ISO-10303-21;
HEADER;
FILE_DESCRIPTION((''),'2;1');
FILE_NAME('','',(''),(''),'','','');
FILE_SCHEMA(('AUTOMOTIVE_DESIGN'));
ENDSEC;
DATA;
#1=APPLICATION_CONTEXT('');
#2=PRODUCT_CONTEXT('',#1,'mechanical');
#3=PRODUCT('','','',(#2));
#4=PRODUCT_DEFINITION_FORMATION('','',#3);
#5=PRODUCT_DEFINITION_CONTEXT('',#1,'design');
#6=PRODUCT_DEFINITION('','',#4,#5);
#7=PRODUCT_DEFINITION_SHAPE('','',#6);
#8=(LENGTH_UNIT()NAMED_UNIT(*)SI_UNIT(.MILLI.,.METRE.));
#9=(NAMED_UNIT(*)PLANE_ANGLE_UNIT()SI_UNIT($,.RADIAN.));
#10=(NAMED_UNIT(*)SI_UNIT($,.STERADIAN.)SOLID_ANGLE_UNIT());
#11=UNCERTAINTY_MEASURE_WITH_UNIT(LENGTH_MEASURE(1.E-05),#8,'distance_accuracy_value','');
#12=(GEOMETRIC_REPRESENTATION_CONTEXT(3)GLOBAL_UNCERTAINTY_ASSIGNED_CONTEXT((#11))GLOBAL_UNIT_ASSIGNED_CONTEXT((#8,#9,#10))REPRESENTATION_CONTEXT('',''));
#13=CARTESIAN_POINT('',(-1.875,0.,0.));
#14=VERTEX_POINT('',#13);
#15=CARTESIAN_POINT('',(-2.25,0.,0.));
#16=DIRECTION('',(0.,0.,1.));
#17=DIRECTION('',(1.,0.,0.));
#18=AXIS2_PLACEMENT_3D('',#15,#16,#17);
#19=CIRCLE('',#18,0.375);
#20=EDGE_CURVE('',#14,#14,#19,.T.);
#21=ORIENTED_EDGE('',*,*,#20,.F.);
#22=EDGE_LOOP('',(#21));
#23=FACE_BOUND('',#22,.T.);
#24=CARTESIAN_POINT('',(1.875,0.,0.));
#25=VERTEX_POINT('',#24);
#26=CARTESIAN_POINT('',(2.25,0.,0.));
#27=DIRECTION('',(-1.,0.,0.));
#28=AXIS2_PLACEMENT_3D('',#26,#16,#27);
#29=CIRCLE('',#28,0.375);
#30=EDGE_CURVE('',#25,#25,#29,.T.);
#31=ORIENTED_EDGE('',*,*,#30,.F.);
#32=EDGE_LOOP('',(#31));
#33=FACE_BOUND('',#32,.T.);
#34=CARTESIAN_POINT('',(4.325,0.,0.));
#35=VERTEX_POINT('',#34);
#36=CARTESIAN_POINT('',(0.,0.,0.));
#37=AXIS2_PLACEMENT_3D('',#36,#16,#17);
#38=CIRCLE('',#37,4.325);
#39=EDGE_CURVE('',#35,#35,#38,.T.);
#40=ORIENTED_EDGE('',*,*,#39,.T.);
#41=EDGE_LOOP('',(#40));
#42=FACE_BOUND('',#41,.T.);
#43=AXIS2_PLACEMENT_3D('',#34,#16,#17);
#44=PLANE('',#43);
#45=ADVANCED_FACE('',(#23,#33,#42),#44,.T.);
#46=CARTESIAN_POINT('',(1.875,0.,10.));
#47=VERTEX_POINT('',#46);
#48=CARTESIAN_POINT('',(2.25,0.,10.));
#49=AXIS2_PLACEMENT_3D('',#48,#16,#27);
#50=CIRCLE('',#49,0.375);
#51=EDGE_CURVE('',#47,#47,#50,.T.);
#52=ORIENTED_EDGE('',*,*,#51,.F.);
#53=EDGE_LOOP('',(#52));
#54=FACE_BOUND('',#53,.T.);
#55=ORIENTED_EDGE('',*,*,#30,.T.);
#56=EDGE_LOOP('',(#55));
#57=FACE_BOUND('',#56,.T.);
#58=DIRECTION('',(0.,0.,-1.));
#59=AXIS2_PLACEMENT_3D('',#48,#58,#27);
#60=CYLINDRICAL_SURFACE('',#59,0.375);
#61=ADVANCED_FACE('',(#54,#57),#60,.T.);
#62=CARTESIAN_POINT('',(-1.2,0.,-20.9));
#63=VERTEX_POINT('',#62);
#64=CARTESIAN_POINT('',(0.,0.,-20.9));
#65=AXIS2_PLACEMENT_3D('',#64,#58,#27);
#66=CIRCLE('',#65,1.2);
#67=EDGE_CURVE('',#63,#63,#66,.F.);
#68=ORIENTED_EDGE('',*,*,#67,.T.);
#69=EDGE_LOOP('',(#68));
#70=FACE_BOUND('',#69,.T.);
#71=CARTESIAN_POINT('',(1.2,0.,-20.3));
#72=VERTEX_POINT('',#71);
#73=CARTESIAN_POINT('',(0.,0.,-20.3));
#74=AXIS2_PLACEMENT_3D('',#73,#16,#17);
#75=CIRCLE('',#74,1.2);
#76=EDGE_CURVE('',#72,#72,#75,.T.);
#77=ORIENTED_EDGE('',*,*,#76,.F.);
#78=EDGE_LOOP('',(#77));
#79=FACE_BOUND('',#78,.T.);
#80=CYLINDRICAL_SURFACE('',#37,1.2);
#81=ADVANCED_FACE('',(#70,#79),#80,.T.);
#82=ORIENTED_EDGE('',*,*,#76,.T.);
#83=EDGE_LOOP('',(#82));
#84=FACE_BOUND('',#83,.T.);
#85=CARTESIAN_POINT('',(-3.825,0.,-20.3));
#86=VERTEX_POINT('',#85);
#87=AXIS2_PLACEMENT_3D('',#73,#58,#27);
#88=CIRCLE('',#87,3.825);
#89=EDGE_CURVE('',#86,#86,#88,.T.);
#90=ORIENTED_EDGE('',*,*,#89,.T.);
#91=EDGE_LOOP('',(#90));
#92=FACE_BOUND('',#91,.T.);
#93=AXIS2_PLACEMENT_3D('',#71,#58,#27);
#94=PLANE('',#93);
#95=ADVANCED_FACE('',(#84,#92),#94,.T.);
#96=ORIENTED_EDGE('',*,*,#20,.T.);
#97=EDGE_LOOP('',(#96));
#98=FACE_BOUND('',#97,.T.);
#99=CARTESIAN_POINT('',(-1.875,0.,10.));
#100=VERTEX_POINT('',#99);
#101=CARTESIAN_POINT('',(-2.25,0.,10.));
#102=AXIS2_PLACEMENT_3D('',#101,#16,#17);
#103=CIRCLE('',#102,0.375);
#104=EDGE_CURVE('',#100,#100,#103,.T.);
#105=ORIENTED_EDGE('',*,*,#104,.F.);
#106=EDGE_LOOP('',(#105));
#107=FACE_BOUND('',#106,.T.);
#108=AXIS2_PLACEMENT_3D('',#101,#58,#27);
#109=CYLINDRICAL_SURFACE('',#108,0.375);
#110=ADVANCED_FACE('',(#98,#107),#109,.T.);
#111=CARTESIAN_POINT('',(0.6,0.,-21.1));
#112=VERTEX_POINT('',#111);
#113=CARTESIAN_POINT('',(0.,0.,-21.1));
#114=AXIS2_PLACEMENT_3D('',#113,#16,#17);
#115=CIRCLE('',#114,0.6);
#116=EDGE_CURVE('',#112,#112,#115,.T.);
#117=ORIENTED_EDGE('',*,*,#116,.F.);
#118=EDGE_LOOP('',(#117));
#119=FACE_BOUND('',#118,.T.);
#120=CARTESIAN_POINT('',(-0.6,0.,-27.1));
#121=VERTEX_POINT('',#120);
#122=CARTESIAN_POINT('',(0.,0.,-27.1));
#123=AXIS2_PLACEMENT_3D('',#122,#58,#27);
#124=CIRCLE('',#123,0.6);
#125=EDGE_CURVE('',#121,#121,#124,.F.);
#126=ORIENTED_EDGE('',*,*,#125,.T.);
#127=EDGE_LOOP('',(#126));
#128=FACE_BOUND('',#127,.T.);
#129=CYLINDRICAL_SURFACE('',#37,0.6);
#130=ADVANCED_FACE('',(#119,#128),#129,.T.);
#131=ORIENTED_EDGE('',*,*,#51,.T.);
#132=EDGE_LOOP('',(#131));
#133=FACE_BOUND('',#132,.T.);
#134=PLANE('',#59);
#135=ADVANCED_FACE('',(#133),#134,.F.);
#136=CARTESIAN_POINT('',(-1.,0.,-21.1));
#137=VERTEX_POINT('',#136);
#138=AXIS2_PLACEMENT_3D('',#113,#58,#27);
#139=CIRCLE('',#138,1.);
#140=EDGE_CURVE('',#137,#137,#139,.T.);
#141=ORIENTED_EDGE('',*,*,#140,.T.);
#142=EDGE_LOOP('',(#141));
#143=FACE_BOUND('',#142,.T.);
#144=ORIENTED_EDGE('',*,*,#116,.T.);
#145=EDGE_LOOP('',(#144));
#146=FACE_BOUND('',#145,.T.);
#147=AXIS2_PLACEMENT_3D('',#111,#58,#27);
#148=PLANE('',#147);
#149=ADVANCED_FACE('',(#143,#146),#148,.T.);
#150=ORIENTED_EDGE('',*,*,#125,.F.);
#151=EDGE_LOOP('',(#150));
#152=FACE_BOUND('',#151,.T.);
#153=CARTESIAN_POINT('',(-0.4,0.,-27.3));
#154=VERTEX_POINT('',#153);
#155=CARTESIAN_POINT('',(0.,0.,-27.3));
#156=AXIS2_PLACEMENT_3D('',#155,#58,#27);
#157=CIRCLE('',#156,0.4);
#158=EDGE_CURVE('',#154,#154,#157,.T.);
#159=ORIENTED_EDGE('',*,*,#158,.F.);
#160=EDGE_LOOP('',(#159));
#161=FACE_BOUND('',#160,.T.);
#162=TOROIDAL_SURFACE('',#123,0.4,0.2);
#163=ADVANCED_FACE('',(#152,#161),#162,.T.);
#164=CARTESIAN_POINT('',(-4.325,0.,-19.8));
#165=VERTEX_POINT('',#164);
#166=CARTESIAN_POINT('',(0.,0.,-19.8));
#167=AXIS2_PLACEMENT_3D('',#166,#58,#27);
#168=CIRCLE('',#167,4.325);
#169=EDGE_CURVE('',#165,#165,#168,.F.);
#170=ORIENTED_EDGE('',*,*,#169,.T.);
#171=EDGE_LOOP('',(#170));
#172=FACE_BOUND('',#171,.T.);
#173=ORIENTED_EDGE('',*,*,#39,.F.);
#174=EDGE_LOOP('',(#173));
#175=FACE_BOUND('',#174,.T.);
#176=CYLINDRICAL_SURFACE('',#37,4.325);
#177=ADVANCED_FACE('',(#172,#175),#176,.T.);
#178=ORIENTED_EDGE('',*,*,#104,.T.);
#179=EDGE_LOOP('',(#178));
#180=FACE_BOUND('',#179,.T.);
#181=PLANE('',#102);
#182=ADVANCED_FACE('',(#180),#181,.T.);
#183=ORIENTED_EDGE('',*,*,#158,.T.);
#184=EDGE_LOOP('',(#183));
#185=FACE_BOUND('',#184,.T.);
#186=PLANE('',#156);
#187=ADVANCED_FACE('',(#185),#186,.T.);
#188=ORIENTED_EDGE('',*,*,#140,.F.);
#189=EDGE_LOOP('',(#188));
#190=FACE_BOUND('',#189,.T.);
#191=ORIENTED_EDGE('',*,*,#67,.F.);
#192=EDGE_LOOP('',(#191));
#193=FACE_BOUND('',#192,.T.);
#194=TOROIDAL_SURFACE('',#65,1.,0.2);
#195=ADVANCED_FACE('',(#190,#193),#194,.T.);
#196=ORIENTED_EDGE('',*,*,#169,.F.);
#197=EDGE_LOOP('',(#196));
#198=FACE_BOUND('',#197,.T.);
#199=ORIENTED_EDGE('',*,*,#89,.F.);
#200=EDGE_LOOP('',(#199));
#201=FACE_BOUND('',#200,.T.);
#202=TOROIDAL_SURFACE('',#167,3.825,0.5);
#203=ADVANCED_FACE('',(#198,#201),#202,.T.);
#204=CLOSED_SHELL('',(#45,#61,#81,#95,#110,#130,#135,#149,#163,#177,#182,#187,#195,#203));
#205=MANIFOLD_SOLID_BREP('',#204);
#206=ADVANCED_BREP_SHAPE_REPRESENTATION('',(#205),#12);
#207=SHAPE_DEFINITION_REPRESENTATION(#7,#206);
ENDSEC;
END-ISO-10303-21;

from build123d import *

# Parameters (mm, degrees)
FILLET1_R           = 0.5
FILLET2_R           = 0.2
SKETCH2_R           = 0.375
BOSS_EXTRUDE1_DEPTH = 10


with BuildPart() as part:
    # Sketch1 → Revolve1 (revolve)
    with BuildSketch(Plane(origin=(0, 0, 0), x_dir=(1, 0, 0), z_dir=(0, 1, 0))):
        Polygon((4.325, 20.3), (4.325, 0), (0, 0), (0, 27.3), (0.6, 27.3), (0.6, 21.1), (1.2, 21.1), (1.2, 20.3), align=None)
    revolve(axis=Axis((0, 0, 0), (0, 0, -1)))

    # Fillet1
    fillet1_edges = [part.edges().sort_by_distance(p)[0] for p in [
        (-4.325, 0, -20.3),
    ]]
    fillet(fillet1_edges, radius=FILLET1_R)

    # Fillet2
    fillet2_edges = [part.edges().sort_by_distance(p)[0] for p in [
        (-1.2, 0, -21.1),
        (-0.6, 0, -27.3),
    ]]
    fillet(fillet2_edges, radius=FILLET2_R)

    # Sketch2 → Boss-Extrude1 (add)
    with BuildSketch(Plane.XY):
        with Locations((-2.25, 0)):
            Circle(SKETCH2_R)
        with Locations(Location((2.25, 0, 0), (0, 0, 180))):
            Circle(SKETCH2_R)
    extrude(amount=BOSS_EXTRUDE1_DEPTH)


solid = part.part
